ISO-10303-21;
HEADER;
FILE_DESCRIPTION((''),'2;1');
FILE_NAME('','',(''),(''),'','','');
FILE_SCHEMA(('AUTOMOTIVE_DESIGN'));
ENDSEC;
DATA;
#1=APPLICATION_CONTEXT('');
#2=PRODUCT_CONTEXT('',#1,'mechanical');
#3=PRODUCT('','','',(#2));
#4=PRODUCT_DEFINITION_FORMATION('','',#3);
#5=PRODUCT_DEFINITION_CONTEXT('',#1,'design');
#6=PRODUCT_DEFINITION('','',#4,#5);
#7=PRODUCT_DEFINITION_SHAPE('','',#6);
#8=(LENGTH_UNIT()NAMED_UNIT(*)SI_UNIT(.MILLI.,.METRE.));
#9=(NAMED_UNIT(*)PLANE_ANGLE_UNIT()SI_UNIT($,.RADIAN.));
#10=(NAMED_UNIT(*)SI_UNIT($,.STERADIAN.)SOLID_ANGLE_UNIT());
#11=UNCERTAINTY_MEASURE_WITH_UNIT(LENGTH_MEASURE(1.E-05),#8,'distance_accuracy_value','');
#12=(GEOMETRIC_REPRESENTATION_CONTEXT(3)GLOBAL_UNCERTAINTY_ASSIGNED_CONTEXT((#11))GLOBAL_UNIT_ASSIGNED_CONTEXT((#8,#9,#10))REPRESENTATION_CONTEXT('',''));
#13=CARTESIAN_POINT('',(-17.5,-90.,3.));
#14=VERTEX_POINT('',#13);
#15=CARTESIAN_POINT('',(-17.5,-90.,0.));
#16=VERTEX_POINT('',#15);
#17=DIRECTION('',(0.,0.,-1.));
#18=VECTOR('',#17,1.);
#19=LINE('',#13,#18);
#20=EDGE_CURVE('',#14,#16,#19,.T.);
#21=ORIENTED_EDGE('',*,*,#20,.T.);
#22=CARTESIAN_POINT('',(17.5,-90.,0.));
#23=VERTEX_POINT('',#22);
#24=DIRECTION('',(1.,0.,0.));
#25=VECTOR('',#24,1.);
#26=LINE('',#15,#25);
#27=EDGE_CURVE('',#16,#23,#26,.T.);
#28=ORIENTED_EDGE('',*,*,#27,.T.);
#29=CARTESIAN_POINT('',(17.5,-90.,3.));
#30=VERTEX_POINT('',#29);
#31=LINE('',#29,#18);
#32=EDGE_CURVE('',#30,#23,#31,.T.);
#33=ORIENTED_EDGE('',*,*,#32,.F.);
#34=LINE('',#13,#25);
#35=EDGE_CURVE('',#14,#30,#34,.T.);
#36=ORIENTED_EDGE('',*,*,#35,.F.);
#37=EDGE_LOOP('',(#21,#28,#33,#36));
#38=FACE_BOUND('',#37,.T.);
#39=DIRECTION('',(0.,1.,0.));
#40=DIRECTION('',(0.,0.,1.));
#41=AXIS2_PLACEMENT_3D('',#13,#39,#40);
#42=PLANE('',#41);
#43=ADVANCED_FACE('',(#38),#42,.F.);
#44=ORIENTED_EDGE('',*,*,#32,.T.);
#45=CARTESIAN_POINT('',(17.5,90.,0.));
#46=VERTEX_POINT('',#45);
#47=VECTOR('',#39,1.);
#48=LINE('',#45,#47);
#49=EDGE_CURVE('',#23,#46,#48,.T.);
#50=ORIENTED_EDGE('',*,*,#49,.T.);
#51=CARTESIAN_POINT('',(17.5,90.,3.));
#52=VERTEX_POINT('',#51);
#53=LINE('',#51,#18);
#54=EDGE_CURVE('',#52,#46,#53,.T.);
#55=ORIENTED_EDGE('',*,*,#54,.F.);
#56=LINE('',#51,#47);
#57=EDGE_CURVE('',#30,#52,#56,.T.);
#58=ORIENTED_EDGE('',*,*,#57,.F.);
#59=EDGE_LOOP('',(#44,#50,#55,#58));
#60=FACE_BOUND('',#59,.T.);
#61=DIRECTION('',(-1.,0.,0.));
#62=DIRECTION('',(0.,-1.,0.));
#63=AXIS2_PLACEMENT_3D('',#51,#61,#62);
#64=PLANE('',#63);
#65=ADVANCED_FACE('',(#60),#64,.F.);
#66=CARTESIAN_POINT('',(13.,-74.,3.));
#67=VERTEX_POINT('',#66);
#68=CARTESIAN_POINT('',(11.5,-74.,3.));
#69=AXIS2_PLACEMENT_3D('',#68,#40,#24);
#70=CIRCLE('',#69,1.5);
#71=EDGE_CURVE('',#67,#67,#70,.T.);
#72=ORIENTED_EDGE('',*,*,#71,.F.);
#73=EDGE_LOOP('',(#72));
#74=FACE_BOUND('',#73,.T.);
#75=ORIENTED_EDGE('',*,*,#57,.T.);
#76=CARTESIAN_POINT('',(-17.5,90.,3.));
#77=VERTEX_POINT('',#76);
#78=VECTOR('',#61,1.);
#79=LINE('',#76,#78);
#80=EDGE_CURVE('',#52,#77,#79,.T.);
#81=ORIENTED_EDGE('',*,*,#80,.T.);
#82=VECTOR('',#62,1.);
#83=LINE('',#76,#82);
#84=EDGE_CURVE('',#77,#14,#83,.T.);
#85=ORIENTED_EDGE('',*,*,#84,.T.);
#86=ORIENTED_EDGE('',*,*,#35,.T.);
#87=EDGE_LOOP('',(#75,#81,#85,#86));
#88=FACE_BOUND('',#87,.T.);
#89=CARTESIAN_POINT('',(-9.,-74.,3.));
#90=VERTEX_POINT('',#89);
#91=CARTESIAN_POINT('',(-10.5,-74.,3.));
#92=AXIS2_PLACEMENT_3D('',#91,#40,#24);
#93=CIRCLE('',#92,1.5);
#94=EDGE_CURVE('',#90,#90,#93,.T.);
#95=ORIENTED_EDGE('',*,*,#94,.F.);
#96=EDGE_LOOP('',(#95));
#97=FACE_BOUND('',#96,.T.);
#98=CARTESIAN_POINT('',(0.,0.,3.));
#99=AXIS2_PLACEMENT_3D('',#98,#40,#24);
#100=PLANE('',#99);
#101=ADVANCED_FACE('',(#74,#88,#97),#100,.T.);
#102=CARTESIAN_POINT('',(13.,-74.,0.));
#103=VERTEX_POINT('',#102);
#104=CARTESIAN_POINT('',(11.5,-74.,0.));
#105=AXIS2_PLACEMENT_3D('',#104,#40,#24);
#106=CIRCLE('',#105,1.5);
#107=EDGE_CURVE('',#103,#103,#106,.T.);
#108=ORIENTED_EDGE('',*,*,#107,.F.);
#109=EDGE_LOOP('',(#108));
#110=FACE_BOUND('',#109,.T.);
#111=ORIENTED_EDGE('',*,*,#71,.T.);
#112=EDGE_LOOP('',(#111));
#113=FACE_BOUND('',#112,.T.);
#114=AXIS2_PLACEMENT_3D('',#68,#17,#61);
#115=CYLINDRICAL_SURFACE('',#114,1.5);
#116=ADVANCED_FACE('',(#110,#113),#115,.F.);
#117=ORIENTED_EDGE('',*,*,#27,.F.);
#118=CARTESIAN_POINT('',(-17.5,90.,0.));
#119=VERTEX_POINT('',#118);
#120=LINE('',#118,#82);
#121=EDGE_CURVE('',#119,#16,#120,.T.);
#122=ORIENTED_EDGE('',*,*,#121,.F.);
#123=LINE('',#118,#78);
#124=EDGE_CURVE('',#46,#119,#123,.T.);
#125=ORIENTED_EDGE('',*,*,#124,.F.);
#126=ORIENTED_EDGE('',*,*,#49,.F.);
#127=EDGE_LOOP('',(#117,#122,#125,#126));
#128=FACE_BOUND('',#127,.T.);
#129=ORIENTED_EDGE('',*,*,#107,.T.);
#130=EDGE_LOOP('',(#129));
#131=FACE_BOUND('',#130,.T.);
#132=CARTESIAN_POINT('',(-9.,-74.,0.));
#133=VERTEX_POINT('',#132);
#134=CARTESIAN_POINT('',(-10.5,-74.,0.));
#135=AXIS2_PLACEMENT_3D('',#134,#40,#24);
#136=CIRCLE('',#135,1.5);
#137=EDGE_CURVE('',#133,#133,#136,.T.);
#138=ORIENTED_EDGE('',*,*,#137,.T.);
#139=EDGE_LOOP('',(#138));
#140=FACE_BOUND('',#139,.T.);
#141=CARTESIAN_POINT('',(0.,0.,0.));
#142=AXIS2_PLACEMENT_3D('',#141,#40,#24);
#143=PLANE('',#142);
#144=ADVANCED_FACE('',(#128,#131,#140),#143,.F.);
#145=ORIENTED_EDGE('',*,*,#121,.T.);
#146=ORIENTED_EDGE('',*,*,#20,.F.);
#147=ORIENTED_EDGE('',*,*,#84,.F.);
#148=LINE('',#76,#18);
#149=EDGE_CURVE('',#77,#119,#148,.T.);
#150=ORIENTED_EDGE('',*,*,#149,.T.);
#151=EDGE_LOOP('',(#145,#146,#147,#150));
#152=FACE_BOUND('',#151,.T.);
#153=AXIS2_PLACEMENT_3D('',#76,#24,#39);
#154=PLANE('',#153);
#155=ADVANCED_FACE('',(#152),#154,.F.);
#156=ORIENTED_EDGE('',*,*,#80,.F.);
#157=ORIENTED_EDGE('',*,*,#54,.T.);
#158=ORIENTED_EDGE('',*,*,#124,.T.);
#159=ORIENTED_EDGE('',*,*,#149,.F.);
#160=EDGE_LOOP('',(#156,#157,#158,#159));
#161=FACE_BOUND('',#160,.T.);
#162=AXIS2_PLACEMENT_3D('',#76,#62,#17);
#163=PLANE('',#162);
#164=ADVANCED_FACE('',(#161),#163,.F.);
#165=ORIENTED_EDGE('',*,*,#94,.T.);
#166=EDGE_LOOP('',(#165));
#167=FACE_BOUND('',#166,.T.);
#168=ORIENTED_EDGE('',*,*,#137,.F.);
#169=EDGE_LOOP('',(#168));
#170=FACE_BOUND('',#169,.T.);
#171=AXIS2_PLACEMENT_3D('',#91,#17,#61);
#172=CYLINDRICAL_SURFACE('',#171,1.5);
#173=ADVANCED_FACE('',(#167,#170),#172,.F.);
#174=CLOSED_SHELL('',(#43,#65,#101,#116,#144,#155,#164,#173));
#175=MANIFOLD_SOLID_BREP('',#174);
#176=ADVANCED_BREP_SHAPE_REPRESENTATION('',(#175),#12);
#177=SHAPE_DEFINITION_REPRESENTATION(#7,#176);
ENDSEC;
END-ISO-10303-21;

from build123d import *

# Parameters (mm, degrees)
CROQUIS2_W              = 35
CROQUIS2_H              = 180
CROQUIS2_R              = 1.5
SALIENTE_EXTRUIR1_DEPTH = 3


with BuildPart() as part:
    # Croquis2 → Saliente-Extruir1 (new body)
    with BuildSketch(Plane.XY):
        Rectangle(CROQUIS2_W, CROQUIS2_H)
        with Locations((11.5, -74)):
            Circle(CROQUIS2_R, mode=Mode.SUBTRACT)
        with Locations((-10.5, -74)):
            Circle(CROQUIS2_R, mode=Mode.SUBTRACT)
    extrude(amount=SALIENTE_EXTRUIR1_DEPTH)


solid = part.part
